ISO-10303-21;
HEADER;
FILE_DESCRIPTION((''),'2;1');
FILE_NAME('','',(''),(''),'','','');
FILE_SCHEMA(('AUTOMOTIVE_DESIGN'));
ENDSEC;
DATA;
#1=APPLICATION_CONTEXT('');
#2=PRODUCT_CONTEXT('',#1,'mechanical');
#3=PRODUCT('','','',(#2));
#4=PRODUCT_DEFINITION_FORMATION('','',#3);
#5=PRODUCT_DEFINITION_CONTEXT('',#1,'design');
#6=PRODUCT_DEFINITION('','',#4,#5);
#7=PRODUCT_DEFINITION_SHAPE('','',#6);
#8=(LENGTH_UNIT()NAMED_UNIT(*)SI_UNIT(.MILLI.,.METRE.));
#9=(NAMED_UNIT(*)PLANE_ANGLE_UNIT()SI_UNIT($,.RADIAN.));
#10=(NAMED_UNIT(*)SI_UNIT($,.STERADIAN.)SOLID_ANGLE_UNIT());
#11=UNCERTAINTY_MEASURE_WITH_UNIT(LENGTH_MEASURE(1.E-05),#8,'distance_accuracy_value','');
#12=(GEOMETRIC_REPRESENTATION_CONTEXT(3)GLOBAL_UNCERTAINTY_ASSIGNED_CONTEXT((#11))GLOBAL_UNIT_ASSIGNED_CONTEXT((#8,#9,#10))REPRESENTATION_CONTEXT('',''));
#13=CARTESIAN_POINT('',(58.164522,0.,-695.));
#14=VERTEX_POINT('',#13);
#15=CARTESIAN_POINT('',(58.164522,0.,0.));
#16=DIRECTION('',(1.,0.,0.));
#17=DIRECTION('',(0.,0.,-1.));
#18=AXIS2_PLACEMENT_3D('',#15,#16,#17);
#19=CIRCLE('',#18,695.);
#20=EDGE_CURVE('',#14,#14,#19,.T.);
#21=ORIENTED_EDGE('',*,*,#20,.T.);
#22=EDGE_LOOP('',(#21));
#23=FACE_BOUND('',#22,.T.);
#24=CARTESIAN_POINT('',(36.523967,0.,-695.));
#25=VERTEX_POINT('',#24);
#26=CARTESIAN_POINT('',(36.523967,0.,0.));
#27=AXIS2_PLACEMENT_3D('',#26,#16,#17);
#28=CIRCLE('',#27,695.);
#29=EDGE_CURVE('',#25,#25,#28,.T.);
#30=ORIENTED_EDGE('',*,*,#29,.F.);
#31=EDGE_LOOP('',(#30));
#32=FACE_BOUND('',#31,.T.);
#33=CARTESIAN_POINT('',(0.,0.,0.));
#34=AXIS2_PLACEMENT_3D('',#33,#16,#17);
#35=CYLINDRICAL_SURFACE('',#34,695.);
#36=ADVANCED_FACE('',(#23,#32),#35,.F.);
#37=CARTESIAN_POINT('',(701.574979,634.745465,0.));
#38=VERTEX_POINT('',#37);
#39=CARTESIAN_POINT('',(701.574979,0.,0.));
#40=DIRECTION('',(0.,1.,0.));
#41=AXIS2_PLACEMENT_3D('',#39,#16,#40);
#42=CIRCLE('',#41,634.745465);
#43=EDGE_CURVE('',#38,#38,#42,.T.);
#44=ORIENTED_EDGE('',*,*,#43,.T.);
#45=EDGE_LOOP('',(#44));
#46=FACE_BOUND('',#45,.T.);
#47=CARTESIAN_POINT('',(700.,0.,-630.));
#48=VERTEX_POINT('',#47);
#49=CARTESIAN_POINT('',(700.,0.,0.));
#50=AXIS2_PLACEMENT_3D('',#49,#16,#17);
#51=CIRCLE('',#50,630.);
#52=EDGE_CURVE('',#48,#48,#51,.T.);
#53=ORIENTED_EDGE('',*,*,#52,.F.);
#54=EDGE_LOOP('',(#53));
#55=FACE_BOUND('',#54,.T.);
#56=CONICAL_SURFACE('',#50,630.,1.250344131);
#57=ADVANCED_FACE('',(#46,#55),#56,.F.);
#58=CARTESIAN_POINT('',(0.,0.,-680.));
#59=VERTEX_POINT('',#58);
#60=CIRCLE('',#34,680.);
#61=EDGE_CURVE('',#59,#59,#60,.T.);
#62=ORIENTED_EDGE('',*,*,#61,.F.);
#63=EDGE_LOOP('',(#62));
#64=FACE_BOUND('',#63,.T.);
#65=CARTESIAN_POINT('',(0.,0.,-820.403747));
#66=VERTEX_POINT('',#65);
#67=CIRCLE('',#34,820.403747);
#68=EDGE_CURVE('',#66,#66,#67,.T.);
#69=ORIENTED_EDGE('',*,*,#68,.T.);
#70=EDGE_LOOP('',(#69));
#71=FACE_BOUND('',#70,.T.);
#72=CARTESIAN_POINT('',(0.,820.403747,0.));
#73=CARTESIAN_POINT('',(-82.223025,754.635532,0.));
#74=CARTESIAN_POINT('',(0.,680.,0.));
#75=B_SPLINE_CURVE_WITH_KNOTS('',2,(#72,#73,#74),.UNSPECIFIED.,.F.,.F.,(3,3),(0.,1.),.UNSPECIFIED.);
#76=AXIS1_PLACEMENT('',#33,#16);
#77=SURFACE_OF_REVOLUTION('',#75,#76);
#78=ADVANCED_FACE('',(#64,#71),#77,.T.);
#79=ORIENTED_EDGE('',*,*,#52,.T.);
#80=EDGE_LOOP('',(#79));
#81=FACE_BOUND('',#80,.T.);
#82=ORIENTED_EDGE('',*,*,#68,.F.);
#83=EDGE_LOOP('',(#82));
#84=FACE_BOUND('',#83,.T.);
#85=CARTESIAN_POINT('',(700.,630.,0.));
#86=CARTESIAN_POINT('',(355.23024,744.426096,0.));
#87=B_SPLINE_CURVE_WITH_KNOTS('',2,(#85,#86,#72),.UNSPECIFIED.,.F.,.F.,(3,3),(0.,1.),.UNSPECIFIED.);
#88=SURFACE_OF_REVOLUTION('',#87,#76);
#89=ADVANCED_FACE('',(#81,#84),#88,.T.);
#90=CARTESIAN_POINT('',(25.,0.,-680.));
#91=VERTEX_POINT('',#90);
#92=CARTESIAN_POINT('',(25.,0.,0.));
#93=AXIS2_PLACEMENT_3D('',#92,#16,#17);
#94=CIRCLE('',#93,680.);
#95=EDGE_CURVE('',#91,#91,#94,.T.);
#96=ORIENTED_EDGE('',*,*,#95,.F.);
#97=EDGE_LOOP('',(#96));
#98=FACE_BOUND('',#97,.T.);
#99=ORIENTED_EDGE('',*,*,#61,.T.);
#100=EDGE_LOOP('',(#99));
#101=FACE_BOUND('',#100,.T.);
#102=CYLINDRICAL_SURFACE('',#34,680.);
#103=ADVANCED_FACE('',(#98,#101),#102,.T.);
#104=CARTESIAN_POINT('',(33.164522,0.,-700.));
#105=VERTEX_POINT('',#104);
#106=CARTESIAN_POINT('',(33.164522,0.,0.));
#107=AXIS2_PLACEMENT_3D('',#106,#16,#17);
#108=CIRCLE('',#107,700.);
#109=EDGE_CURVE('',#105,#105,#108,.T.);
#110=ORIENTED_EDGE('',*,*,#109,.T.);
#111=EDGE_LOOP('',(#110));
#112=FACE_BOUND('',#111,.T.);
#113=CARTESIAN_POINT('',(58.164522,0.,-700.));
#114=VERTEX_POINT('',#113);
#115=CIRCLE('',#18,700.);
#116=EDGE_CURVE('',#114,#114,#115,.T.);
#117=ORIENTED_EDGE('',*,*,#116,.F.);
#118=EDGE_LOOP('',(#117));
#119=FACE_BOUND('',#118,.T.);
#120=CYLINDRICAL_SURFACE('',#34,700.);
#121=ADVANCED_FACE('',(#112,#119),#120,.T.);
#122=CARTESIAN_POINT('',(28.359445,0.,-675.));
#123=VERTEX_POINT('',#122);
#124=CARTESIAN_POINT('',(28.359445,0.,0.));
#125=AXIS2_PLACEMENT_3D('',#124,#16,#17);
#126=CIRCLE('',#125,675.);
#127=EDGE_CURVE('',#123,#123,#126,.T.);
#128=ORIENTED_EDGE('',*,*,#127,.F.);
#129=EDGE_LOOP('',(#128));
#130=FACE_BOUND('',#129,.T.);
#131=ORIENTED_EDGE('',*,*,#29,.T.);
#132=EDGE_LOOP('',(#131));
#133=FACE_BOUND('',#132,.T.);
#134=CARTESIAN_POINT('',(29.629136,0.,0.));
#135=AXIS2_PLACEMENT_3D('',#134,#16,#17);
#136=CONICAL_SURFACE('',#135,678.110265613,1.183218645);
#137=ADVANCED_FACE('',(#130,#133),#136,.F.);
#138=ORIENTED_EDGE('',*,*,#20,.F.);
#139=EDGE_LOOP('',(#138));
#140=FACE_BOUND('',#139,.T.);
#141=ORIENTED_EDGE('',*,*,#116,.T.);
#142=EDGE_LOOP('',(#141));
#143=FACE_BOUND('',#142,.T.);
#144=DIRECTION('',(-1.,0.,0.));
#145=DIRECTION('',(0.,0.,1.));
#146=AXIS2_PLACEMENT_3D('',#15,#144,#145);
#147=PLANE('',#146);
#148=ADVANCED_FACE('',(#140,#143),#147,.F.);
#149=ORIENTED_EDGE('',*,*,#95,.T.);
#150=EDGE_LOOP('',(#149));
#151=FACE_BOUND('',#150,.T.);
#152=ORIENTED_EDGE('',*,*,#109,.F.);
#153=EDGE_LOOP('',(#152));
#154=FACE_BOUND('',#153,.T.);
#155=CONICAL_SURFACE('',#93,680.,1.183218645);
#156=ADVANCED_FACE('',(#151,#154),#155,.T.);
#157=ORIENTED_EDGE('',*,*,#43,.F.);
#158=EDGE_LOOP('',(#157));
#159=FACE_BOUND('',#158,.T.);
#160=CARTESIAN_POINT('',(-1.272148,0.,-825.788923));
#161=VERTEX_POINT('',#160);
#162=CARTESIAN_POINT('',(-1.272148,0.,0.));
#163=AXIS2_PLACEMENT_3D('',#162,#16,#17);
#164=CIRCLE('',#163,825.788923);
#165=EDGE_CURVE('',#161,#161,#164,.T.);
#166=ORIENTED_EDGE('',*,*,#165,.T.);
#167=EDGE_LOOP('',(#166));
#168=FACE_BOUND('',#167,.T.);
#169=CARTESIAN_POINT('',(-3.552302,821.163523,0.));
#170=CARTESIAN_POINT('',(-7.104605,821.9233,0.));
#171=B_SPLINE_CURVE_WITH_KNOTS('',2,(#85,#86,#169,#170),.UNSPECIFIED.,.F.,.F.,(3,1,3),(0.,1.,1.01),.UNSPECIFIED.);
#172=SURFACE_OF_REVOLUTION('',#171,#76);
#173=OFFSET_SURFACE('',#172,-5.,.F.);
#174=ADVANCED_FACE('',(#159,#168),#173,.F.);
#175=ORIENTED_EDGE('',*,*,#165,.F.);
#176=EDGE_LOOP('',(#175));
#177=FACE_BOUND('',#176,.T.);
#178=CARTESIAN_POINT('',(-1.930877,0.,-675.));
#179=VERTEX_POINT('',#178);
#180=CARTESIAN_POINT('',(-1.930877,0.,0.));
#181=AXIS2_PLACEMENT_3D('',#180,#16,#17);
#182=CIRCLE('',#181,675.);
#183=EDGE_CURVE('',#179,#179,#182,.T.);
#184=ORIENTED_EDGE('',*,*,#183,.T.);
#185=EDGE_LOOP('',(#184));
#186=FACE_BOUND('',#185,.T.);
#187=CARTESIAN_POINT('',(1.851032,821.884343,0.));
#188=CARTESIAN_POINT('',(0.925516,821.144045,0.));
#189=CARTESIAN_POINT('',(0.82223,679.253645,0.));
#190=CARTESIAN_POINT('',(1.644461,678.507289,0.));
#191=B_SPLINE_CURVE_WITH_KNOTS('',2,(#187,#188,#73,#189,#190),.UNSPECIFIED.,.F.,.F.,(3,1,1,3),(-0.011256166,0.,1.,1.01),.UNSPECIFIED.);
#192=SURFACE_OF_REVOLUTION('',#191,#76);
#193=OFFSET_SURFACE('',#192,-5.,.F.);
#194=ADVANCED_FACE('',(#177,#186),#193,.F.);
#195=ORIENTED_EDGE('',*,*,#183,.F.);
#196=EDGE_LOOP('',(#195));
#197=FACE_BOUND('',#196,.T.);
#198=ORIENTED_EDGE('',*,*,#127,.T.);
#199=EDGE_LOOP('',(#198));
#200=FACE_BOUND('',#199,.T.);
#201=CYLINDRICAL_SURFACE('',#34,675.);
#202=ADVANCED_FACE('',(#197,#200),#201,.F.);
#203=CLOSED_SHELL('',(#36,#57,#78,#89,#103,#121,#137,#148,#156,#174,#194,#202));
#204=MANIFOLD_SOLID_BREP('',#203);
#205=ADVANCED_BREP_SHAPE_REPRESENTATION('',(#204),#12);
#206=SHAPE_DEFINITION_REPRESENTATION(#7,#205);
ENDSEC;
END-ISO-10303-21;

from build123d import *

# Parameters (mm, degrees)
THICKEN1_T1 = 5


with BuildPart() as body_1:
    # Surface-Revolve1: a surface, the sketch's curves turned about an axis
    with BuildLine(Plane.XY, mode=Mode.PRIVATE) as surface_revolve1_1_path:
        Line((58.164522356, 700), (33.164522356, 700))
        Line((33.164522356, 700), (25, 680))
        Line((25, 680), (0, 680))
        add(Edge.make_bspline(
            [(0, 680), (-82.223025066, 754.635531887), (0, 820.403746947)],
            knots=[0, 0, 0, 1, 1, 1], degree=2))
        add(Edge.make_bspline(
            [(0, 820.403746947), (355.230240406, 744.426095971), (700, 630)],
            knots=[0, 0, 0, 1, 1, 1], degree=2))
    surface_revolve1_1 = Shell.revolve(surface_revolve1_1_path.wire(), 360, Axis((0, 0, 0), (1, 0, 0)))
    add(Solid.thicken(surface_revolve1_1, THICKEN1_T1))


solid = body_1.part
